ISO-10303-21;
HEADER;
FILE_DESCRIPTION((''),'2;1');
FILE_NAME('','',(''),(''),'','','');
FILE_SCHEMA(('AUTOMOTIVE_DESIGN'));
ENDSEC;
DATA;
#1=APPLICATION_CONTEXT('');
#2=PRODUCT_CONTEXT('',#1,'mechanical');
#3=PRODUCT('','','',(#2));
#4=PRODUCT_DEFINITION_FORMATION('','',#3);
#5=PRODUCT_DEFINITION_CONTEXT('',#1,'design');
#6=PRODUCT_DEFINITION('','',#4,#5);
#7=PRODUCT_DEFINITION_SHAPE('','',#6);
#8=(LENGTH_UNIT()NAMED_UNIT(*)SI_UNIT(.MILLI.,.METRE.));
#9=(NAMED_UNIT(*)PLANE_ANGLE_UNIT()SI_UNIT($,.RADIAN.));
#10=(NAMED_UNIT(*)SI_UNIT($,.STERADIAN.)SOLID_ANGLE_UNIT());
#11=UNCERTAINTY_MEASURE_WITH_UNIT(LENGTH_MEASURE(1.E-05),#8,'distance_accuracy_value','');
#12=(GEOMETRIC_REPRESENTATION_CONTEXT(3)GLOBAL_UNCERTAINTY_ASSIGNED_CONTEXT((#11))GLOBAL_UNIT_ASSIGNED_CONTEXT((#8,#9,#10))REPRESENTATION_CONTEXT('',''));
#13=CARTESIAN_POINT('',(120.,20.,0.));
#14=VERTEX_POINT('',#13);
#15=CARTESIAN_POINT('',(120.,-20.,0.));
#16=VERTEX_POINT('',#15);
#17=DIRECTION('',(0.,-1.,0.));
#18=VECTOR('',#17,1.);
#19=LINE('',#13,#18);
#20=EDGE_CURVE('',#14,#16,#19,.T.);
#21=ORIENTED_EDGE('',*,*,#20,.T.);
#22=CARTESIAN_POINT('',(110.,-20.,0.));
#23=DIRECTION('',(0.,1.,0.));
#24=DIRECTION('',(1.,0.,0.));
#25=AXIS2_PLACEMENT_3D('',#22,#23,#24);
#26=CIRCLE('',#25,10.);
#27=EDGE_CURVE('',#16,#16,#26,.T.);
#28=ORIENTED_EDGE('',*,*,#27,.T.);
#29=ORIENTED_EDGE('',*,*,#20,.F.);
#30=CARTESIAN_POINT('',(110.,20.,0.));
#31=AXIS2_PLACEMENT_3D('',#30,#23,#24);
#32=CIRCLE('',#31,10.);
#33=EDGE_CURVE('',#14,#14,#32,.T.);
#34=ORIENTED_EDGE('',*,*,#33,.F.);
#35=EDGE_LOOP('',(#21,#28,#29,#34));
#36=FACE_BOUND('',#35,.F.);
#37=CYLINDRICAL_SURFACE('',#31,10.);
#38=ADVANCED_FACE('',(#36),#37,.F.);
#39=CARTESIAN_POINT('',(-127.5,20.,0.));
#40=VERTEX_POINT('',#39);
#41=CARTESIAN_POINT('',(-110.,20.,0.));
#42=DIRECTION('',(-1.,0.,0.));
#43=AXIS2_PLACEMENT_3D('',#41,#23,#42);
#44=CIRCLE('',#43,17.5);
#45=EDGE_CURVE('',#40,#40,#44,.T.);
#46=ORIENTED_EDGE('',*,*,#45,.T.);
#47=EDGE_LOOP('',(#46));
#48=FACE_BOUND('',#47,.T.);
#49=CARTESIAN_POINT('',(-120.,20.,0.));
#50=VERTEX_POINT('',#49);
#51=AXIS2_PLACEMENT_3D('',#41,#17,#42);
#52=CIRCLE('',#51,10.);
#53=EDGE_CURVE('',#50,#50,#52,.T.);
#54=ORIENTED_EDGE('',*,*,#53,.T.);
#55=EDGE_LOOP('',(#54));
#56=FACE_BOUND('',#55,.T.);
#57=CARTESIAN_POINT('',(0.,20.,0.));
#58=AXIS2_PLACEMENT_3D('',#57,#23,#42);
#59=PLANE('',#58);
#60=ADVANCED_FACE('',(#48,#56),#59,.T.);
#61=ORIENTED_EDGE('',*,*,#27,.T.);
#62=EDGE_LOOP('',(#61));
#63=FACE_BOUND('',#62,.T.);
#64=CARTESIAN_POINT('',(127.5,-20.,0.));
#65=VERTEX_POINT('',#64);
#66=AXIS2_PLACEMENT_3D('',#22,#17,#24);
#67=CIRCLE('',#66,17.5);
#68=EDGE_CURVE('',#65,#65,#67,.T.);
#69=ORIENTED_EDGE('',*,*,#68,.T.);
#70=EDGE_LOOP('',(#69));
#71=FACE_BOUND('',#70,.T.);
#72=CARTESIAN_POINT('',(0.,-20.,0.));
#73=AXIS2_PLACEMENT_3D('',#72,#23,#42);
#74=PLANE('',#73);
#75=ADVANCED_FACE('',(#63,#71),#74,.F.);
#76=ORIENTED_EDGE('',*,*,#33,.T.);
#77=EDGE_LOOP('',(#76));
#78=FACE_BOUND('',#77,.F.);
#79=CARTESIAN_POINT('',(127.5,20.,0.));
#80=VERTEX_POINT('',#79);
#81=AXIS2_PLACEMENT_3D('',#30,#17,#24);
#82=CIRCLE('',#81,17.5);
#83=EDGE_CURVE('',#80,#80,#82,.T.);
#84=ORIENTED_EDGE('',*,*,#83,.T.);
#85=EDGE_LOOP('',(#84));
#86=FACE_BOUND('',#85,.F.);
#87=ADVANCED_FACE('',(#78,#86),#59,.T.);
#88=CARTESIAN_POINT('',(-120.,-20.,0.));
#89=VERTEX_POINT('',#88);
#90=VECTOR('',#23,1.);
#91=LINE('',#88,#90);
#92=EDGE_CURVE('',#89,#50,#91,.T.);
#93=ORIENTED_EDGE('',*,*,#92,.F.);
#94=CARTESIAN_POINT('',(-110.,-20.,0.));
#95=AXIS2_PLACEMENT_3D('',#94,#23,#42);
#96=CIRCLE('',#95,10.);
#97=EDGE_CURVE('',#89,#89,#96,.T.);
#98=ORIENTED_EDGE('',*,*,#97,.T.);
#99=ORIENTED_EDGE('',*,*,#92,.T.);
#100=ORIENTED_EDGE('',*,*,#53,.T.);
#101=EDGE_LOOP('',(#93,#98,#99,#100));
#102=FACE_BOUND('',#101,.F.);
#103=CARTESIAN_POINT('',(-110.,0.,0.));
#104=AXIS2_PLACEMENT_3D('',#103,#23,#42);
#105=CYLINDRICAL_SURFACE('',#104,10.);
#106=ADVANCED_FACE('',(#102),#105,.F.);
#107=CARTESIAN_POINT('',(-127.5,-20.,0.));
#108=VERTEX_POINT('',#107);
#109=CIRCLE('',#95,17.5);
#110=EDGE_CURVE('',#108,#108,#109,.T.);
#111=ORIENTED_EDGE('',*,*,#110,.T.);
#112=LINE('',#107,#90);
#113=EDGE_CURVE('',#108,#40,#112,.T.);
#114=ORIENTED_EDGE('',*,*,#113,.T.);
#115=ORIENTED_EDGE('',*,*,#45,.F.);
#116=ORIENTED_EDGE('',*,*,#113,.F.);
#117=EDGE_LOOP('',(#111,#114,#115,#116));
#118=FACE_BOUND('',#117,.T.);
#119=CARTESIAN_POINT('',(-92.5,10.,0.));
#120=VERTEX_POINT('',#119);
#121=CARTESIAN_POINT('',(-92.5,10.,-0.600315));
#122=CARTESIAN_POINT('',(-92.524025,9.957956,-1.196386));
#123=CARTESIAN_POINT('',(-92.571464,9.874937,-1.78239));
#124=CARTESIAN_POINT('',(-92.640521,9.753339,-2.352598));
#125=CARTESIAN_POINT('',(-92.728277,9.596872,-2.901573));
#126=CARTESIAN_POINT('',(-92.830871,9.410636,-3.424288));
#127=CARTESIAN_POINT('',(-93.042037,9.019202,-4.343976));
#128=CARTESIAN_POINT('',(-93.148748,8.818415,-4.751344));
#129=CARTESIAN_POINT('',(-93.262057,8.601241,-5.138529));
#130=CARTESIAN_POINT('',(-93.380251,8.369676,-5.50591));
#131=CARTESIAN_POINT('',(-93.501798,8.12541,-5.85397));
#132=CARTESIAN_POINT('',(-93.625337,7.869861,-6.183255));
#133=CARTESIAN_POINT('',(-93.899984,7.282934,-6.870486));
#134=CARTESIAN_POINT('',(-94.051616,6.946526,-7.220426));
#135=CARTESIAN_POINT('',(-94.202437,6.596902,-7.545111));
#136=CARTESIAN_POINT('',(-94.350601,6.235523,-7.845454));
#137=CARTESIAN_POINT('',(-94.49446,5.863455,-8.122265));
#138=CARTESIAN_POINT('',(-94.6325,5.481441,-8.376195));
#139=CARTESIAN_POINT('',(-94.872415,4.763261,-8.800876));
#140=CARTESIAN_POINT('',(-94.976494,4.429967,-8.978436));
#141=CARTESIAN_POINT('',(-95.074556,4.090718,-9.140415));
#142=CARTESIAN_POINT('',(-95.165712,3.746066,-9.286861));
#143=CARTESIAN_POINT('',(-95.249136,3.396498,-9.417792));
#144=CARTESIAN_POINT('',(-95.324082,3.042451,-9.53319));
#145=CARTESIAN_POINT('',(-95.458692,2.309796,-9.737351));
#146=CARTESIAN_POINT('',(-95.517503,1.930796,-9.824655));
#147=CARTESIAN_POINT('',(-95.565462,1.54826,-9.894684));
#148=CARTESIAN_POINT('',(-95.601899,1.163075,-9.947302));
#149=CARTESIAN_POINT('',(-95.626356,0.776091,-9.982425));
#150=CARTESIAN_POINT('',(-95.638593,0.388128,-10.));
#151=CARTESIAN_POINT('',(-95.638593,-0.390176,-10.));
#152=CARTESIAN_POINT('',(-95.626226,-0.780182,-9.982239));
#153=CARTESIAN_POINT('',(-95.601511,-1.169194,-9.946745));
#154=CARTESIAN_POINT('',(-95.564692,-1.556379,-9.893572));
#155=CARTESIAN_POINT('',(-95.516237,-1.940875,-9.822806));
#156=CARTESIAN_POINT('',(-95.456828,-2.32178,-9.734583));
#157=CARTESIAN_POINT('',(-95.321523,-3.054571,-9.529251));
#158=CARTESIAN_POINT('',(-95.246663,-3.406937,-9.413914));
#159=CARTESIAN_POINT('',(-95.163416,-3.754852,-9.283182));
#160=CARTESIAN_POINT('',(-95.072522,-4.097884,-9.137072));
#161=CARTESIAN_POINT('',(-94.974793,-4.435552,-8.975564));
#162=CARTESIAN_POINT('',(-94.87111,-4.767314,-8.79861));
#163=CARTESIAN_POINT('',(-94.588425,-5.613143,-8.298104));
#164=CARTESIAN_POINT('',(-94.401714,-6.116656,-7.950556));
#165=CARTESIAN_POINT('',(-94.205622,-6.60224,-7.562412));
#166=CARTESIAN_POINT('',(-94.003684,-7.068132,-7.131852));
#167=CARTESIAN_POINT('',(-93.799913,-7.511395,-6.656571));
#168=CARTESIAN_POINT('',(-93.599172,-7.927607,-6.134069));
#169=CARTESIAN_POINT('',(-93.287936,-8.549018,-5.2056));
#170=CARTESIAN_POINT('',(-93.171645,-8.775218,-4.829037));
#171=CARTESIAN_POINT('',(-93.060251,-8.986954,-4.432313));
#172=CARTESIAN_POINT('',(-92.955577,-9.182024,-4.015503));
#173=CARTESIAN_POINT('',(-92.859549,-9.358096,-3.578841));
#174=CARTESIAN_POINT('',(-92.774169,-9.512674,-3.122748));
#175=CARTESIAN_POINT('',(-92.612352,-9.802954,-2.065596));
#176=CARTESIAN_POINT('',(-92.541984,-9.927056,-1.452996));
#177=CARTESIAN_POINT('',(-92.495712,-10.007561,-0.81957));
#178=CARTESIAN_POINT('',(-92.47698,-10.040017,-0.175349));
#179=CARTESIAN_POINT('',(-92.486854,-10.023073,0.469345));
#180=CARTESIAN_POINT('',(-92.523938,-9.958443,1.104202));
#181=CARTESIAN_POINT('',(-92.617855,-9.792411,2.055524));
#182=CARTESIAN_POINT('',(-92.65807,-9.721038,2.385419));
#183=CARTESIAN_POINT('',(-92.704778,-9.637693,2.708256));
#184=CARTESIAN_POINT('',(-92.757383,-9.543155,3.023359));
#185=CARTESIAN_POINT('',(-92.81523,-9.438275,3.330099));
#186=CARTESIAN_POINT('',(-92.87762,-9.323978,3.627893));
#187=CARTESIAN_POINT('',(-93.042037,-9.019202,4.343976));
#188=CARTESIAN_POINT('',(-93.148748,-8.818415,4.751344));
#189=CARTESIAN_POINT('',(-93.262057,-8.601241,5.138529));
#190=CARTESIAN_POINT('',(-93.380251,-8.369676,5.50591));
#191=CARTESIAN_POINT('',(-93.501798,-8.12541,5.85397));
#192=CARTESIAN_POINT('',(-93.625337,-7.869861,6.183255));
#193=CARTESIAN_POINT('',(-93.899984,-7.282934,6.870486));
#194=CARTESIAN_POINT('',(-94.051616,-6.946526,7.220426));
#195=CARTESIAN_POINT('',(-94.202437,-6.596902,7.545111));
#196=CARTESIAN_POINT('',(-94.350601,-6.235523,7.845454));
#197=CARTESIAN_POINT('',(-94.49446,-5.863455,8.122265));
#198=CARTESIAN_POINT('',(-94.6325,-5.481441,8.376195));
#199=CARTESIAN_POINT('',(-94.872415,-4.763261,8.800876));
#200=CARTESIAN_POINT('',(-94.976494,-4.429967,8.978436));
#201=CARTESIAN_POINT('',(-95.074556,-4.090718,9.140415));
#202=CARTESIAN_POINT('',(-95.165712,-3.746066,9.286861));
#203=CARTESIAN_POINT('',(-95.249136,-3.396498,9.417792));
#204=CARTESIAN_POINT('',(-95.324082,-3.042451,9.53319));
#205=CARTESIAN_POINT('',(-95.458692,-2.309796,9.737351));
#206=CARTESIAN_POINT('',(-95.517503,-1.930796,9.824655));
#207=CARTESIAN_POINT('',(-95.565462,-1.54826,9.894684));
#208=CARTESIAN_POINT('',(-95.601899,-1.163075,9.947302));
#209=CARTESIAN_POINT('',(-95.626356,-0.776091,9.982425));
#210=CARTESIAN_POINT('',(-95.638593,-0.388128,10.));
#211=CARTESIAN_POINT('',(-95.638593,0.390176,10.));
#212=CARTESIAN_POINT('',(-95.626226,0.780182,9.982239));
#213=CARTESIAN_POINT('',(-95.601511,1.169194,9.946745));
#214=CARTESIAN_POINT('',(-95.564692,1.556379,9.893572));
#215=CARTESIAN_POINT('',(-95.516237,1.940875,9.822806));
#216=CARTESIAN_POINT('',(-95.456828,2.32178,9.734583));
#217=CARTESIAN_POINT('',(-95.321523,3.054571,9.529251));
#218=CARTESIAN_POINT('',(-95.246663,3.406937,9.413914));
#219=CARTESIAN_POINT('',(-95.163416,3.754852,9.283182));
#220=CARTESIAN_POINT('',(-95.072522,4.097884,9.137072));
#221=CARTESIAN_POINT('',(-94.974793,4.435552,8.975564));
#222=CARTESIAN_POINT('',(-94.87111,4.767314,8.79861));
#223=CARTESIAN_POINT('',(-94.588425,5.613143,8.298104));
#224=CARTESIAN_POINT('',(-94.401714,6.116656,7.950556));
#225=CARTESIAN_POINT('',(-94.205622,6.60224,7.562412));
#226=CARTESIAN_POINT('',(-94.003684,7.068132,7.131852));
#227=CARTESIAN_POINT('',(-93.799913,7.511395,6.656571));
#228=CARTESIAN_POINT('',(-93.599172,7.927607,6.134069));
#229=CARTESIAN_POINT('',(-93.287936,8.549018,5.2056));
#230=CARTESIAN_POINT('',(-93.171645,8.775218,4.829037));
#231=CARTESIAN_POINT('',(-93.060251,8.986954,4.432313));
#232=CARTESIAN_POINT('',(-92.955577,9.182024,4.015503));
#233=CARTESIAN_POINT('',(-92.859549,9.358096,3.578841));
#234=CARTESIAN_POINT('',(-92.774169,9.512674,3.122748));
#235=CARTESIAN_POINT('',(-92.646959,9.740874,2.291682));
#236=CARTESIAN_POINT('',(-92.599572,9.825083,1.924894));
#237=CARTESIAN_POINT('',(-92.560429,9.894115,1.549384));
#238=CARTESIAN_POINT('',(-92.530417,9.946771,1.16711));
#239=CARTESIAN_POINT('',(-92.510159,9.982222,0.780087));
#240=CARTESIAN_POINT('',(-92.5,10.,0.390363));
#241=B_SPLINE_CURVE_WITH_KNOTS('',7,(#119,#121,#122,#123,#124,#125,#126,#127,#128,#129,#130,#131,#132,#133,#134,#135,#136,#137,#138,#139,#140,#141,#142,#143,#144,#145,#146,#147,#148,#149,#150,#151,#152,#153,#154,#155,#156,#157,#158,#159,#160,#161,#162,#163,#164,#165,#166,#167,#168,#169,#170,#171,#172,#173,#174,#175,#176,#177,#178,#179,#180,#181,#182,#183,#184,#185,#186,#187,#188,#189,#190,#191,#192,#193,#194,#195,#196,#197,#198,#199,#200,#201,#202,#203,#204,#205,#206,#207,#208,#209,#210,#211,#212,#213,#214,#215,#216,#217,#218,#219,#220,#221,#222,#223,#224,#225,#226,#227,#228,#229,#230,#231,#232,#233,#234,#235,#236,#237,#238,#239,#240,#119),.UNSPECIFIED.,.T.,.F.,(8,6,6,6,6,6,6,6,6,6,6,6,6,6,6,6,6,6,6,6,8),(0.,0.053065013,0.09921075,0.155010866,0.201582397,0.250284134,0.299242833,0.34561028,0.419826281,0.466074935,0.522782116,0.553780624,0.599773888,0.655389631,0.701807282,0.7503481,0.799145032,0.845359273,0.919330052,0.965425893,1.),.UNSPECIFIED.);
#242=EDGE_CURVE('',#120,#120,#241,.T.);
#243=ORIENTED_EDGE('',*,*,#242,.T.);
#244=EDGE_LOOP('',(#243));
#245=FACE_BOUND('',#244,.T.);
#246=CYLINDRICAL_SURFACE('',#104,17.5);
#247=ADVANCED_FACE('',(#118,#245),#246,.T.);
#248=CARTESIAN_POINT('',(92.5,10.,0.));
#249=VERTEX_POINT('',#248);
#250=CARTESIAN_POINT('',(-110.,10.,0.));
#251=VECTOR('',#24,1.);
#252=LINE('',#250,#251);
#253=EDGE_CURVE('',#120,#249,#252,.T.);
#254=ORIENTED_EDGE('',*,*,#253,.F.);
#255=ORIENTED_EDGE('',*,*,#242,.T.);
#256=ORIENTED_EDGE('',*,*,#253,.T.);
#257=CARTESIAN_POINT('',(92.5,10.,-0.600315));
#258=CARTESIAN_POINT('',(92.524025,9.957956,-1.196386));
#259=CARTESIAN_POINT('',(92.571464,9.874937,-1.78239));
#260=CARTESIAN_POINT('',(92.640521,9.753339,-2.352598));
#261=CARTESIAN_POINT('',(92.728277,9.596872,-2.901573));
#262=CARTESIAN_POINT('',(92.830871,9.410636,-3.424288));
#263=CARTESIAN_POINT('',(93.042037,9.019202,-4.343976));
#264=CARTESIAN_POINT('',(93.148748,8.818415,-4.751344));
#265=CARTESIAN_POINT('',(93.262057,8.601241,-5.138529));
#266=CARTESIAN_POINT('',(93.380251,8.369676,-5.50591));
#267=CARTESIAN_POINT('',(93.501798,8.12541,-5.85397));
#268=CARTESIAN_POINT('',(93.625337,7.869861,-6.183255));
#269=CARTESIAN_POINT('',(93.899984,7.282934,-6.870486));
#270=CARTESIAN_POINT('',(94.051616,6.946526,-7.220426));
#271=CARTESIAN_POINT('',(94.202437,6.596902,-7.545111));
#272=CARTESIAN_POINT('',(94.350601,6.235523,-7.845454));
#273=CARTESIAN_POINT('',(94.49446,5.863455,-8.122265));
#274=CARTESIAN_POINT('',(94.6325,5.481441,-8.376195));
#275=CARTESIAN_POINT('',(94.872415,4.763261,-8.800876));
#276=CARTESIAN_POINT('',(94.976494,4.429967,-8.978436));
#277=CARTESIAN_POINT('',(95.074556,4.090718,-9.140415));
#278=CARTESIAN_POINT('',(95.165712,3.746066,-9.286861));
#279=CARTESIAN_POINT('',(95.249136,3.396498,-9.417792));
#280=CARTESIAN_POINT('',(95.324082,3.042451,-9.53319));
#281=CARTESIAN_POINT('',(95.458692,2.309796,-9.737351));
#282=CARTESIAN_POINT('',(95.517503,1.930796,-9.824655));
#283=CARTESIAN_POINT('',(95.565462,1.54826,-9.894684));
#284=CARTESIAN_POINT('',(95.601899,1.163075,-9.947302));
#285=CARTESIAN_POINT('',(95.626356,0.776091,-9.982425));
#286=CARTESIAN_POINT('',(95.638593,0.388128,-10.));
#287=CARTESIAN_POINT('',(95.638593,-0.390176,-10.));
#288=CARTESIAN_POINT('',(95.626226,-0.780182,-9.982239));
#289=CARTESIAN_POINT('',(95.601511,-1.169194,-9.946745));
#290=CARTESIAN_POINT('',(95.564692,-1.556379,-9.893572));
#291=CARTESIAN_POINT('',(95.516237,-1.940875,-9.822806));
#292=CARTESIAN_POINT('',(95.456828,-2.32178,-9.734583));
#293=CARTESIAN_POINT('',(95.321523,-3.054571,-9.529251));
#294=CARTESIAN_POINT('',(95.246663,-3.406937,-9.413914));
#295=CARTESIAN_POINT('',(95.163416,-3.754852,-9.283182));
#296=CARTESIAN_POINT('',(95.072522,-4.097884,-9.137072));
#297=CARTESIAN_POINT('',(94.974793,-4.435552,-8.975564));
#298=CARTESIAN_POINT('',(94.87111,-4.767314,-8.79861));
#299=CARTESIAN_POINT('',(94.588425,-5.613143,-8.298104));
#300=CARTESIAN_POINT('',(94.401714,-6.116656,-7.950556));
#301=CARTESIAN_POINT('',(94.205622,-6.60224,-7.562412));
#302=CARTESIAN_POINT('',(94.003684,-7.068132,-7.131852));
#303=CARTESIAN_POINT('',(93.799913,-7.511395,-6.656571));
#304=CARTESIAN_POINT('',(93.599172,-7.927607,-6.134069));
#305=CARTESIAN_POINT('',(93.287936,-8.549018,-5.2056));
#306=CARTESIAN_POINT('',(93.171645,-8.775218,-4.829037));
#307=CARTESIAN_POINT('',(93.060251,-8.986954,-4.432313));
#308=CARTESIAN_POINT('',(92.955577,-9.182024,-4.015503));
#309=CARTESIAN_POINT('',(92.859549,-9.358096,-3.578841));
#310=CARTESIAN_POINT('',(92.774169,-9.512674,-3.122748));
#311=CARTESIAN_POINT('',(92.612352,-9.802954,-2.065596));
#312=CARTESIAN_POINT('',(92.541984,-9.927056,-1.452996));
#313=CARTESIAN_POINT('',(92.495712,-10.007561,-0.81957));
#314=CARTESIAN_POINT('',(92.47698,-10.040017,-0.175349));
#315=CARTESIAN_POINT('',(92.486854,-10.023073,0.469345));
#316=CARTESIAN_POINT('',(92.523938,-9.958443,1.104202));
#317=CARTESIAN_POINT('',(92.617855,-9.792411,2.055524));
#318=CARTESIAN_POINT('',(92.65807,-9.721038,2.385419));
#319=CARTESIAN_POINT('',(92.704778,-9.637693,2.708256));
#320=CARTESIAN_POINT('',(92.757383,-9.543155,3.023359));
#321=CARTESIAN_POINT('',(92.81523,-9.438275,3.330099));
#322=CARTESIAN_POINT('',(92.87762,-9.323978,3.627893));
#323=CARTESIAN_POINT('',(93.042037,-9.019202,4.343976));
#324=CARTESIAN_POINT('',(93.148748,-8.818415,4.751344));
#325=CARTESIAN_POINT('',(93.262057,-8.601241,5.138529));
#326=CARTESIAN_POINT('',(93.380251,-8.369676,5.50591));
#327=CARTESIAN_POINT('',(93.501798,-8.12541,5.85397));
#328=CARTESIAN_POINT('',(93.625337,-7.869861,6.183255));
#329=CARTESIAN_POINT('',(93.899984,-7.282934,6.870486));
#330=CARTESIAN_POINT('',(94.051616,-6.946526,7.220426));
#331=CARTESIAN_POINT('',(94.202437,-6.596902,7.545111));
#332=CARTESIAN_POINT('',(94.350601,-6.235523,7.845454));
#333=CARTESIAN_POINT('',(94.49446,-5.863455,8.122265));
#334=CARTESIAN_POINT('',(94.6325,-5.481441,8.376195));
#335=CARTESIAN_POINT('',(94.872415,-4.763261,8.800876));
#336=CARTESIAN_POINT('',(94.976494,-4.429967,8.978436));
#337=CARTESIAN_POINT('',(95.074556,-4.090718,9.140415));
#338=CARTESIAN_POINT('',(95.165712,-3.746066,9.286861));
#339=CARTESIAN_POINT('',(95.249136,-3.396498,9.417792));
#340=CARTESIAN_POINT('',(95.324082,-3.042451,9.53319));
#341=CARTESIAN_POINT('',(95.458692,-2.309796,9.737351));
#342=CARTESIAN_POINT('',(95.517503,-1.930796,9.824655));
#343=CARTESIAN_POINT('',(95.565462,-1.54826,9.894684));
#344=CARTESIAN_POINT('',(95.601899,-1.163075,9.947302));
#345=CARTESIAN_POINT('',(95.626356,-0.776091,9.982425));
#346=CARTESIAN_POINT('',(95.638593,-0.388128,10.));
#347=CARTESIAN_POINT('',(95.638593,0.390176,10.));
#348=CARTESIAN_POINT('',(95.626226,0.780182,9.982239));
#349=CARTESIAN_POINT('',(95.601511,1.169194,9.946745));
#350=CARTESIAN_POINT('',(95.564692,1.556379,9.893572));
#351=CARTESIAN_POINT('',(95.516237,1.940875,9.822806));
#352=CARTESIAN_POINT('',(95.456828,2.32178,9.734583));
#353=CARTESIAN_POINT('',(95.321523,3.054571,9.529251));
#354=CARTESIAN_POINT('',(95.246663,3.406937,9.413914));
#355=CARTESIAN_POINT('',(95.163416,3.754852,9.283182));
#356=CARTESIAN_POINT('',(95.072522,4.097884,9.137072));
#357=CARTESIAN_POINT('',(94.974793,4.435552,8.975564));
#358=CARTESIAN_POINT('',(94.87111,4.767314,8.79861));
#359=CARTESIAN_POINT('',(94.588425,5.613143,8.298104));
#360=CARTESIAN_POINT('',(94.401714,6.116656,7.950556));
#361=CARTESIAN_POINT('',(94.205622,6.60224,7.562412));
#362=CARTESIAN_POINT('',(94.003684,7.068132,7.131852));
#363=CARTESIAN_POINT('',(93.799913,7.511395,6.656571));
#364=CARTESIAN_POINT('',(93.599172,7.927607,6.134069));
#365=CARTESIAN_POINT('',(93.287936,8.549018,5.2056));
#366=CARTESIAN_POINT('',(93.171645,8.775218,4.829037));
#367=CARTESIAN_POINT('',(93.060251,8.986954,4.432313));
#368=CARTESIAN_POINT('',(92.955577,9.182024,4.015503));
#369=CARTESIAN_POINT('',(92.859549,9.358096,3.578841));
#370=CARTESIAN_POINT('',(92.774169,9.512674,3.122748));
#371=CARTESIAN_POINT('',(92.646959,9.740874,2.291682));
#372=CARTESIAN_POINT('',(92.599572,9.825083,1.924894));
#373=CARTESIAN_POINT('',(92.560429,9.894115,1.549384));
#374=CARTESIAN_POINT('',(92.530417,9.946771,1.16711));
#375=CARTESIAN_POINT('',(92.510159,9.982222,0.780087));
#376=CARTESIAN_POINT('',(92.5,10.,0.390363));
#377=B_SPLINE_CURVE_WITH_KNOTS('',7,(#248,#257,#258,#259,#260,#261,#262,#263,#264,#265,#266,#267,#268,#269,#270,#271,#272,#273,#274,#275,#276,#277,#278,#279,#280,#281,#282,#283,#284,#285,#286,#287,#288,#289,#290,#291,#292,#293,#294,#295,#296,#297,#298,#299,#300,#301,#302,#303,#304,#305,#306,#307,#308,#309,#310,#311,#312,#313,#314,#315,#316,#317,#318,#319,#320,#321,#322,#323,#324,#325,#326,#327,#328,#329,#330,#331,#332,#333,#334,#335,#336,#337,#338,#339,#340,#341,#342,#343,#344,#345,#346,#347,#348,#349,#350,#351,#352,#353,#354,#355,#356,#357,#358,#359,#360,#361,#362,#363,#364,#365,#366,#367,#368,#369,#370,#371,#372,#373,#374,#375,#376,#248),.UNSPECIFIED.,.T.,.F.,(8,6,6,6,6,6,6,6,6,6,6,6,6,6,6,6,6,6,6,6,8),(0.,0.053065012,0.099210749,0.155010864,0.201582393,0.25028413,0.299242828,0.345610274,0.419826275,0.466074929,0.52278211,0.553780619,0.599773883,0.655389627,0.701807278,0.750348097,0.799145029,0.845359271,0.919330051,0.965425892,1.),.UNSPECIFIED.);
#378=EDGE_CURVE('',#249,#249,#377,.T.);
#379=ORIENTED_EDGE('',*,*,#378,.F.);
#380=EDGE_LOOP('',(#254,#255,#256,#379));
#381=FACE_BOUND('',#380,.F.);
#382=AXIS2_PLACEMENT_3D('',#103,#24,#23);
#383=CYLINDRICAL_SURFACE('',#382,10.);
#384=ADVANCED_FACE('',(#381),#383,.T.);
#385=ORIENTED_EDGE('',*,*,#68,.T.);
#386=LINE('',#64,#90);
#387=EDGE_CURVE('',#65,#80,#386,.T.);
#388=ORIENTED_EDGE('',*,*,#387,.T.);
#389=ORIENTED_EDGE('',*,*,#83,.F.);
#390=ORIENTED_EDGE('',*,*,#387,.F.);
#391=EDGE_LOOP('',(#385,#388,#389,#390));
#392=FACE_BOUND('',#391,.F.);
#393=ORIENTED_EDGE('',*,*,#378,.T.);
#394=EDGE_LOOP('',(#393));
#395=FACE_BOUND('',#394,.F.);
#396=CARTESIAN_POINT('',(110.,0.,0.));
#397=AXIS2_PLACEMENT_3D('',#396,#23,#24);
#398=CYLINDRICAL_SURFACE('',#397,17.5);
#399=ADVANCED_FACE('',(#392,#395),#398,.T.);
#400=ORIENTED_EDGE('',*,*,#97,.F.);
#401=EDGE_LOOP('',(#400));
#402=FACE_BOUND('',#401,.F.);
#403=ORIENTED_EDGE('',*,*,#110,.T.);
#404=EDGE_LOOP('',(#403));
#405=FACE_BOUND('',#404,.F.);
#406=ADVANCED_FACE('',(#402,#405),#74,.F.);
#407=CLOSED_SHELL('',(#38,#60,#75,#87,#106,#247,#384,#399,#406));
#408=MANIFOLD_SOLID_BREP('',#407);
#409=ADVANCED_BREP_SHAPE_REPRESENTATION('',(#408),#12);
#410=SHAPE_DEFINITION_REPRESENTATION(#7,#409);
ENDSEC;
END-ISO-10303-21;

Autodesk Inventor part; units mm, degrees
ref_plane "YZ Plane" through (0, 0, 0) normal (1, 0, 0) x (0, 1, 0)
ref_plane "XZ Plane" through (0, 0, 0) normal (0, 1, 0) x (-1, 0, 0)
ref_plane "XY Plane" through (0, 0, 0) normal (0, 0, 1) x (1, 0, 0)
sketch "Sketch1" plane through (0, 0, 0) normal (0, 0, 1) x (1, 0, 0)
  line L0 (0, 23.3412) -> (0, 0) construction
  line L1 (-110, 0) -> (0, 0)
  line L2 (110, 0) -> (0, 0)
  line L3 (-110, 0) -> (-110, 10)
  line L4 (-110, 10) -> (110, 10)
  line L5 (110, 10) -> (110, 0)
  dimension "d0" = 220
  dimension "d1" = 10
revolve "Revolution1" add sketch "Sketch1" angle 360 about axis through (110, 0, 0) along (-1, 0, 0)
sketch "Sketch2" plane through (0, 0, 0) normal (0, 1, 0) x (-1, 0, 0)
  line L0 (110, -10) -> (110, 10) projected
  circle A0 centre (110, 0) radius 17.5
  circle A1 centre (110, 0) radius 10
  point P0 (0, 0)
  dimension "d3" = 20
  dimension "d4" = 35
extrude "Extrusion1" add sketch "Sketch2" along normal mid plane 40 contours A1 L0 | L0 A1 | A0
extrude "Extrusion2" cut sketch "Sketch2" along normal mid plane 40 contours A1 L0 | L0 A1
mirror "Mirror1" about plane through (0, 0, 0) normal (1, 0, 0) of "Extrusion1"
sketch "Sketch3" plane through (110, 20, 0) normal (0, 1, 0) x (1, 0, 0)
  circle A0 centre (0, 0) radius 10
  circle A1 centre (0, 0) radius 17.5 projected
  point P0 (-110, 0)
  dimension "d9" = 20
extrude "Extrusion3" cut sketch "Sketch3" against normal blind 40 contours A0
